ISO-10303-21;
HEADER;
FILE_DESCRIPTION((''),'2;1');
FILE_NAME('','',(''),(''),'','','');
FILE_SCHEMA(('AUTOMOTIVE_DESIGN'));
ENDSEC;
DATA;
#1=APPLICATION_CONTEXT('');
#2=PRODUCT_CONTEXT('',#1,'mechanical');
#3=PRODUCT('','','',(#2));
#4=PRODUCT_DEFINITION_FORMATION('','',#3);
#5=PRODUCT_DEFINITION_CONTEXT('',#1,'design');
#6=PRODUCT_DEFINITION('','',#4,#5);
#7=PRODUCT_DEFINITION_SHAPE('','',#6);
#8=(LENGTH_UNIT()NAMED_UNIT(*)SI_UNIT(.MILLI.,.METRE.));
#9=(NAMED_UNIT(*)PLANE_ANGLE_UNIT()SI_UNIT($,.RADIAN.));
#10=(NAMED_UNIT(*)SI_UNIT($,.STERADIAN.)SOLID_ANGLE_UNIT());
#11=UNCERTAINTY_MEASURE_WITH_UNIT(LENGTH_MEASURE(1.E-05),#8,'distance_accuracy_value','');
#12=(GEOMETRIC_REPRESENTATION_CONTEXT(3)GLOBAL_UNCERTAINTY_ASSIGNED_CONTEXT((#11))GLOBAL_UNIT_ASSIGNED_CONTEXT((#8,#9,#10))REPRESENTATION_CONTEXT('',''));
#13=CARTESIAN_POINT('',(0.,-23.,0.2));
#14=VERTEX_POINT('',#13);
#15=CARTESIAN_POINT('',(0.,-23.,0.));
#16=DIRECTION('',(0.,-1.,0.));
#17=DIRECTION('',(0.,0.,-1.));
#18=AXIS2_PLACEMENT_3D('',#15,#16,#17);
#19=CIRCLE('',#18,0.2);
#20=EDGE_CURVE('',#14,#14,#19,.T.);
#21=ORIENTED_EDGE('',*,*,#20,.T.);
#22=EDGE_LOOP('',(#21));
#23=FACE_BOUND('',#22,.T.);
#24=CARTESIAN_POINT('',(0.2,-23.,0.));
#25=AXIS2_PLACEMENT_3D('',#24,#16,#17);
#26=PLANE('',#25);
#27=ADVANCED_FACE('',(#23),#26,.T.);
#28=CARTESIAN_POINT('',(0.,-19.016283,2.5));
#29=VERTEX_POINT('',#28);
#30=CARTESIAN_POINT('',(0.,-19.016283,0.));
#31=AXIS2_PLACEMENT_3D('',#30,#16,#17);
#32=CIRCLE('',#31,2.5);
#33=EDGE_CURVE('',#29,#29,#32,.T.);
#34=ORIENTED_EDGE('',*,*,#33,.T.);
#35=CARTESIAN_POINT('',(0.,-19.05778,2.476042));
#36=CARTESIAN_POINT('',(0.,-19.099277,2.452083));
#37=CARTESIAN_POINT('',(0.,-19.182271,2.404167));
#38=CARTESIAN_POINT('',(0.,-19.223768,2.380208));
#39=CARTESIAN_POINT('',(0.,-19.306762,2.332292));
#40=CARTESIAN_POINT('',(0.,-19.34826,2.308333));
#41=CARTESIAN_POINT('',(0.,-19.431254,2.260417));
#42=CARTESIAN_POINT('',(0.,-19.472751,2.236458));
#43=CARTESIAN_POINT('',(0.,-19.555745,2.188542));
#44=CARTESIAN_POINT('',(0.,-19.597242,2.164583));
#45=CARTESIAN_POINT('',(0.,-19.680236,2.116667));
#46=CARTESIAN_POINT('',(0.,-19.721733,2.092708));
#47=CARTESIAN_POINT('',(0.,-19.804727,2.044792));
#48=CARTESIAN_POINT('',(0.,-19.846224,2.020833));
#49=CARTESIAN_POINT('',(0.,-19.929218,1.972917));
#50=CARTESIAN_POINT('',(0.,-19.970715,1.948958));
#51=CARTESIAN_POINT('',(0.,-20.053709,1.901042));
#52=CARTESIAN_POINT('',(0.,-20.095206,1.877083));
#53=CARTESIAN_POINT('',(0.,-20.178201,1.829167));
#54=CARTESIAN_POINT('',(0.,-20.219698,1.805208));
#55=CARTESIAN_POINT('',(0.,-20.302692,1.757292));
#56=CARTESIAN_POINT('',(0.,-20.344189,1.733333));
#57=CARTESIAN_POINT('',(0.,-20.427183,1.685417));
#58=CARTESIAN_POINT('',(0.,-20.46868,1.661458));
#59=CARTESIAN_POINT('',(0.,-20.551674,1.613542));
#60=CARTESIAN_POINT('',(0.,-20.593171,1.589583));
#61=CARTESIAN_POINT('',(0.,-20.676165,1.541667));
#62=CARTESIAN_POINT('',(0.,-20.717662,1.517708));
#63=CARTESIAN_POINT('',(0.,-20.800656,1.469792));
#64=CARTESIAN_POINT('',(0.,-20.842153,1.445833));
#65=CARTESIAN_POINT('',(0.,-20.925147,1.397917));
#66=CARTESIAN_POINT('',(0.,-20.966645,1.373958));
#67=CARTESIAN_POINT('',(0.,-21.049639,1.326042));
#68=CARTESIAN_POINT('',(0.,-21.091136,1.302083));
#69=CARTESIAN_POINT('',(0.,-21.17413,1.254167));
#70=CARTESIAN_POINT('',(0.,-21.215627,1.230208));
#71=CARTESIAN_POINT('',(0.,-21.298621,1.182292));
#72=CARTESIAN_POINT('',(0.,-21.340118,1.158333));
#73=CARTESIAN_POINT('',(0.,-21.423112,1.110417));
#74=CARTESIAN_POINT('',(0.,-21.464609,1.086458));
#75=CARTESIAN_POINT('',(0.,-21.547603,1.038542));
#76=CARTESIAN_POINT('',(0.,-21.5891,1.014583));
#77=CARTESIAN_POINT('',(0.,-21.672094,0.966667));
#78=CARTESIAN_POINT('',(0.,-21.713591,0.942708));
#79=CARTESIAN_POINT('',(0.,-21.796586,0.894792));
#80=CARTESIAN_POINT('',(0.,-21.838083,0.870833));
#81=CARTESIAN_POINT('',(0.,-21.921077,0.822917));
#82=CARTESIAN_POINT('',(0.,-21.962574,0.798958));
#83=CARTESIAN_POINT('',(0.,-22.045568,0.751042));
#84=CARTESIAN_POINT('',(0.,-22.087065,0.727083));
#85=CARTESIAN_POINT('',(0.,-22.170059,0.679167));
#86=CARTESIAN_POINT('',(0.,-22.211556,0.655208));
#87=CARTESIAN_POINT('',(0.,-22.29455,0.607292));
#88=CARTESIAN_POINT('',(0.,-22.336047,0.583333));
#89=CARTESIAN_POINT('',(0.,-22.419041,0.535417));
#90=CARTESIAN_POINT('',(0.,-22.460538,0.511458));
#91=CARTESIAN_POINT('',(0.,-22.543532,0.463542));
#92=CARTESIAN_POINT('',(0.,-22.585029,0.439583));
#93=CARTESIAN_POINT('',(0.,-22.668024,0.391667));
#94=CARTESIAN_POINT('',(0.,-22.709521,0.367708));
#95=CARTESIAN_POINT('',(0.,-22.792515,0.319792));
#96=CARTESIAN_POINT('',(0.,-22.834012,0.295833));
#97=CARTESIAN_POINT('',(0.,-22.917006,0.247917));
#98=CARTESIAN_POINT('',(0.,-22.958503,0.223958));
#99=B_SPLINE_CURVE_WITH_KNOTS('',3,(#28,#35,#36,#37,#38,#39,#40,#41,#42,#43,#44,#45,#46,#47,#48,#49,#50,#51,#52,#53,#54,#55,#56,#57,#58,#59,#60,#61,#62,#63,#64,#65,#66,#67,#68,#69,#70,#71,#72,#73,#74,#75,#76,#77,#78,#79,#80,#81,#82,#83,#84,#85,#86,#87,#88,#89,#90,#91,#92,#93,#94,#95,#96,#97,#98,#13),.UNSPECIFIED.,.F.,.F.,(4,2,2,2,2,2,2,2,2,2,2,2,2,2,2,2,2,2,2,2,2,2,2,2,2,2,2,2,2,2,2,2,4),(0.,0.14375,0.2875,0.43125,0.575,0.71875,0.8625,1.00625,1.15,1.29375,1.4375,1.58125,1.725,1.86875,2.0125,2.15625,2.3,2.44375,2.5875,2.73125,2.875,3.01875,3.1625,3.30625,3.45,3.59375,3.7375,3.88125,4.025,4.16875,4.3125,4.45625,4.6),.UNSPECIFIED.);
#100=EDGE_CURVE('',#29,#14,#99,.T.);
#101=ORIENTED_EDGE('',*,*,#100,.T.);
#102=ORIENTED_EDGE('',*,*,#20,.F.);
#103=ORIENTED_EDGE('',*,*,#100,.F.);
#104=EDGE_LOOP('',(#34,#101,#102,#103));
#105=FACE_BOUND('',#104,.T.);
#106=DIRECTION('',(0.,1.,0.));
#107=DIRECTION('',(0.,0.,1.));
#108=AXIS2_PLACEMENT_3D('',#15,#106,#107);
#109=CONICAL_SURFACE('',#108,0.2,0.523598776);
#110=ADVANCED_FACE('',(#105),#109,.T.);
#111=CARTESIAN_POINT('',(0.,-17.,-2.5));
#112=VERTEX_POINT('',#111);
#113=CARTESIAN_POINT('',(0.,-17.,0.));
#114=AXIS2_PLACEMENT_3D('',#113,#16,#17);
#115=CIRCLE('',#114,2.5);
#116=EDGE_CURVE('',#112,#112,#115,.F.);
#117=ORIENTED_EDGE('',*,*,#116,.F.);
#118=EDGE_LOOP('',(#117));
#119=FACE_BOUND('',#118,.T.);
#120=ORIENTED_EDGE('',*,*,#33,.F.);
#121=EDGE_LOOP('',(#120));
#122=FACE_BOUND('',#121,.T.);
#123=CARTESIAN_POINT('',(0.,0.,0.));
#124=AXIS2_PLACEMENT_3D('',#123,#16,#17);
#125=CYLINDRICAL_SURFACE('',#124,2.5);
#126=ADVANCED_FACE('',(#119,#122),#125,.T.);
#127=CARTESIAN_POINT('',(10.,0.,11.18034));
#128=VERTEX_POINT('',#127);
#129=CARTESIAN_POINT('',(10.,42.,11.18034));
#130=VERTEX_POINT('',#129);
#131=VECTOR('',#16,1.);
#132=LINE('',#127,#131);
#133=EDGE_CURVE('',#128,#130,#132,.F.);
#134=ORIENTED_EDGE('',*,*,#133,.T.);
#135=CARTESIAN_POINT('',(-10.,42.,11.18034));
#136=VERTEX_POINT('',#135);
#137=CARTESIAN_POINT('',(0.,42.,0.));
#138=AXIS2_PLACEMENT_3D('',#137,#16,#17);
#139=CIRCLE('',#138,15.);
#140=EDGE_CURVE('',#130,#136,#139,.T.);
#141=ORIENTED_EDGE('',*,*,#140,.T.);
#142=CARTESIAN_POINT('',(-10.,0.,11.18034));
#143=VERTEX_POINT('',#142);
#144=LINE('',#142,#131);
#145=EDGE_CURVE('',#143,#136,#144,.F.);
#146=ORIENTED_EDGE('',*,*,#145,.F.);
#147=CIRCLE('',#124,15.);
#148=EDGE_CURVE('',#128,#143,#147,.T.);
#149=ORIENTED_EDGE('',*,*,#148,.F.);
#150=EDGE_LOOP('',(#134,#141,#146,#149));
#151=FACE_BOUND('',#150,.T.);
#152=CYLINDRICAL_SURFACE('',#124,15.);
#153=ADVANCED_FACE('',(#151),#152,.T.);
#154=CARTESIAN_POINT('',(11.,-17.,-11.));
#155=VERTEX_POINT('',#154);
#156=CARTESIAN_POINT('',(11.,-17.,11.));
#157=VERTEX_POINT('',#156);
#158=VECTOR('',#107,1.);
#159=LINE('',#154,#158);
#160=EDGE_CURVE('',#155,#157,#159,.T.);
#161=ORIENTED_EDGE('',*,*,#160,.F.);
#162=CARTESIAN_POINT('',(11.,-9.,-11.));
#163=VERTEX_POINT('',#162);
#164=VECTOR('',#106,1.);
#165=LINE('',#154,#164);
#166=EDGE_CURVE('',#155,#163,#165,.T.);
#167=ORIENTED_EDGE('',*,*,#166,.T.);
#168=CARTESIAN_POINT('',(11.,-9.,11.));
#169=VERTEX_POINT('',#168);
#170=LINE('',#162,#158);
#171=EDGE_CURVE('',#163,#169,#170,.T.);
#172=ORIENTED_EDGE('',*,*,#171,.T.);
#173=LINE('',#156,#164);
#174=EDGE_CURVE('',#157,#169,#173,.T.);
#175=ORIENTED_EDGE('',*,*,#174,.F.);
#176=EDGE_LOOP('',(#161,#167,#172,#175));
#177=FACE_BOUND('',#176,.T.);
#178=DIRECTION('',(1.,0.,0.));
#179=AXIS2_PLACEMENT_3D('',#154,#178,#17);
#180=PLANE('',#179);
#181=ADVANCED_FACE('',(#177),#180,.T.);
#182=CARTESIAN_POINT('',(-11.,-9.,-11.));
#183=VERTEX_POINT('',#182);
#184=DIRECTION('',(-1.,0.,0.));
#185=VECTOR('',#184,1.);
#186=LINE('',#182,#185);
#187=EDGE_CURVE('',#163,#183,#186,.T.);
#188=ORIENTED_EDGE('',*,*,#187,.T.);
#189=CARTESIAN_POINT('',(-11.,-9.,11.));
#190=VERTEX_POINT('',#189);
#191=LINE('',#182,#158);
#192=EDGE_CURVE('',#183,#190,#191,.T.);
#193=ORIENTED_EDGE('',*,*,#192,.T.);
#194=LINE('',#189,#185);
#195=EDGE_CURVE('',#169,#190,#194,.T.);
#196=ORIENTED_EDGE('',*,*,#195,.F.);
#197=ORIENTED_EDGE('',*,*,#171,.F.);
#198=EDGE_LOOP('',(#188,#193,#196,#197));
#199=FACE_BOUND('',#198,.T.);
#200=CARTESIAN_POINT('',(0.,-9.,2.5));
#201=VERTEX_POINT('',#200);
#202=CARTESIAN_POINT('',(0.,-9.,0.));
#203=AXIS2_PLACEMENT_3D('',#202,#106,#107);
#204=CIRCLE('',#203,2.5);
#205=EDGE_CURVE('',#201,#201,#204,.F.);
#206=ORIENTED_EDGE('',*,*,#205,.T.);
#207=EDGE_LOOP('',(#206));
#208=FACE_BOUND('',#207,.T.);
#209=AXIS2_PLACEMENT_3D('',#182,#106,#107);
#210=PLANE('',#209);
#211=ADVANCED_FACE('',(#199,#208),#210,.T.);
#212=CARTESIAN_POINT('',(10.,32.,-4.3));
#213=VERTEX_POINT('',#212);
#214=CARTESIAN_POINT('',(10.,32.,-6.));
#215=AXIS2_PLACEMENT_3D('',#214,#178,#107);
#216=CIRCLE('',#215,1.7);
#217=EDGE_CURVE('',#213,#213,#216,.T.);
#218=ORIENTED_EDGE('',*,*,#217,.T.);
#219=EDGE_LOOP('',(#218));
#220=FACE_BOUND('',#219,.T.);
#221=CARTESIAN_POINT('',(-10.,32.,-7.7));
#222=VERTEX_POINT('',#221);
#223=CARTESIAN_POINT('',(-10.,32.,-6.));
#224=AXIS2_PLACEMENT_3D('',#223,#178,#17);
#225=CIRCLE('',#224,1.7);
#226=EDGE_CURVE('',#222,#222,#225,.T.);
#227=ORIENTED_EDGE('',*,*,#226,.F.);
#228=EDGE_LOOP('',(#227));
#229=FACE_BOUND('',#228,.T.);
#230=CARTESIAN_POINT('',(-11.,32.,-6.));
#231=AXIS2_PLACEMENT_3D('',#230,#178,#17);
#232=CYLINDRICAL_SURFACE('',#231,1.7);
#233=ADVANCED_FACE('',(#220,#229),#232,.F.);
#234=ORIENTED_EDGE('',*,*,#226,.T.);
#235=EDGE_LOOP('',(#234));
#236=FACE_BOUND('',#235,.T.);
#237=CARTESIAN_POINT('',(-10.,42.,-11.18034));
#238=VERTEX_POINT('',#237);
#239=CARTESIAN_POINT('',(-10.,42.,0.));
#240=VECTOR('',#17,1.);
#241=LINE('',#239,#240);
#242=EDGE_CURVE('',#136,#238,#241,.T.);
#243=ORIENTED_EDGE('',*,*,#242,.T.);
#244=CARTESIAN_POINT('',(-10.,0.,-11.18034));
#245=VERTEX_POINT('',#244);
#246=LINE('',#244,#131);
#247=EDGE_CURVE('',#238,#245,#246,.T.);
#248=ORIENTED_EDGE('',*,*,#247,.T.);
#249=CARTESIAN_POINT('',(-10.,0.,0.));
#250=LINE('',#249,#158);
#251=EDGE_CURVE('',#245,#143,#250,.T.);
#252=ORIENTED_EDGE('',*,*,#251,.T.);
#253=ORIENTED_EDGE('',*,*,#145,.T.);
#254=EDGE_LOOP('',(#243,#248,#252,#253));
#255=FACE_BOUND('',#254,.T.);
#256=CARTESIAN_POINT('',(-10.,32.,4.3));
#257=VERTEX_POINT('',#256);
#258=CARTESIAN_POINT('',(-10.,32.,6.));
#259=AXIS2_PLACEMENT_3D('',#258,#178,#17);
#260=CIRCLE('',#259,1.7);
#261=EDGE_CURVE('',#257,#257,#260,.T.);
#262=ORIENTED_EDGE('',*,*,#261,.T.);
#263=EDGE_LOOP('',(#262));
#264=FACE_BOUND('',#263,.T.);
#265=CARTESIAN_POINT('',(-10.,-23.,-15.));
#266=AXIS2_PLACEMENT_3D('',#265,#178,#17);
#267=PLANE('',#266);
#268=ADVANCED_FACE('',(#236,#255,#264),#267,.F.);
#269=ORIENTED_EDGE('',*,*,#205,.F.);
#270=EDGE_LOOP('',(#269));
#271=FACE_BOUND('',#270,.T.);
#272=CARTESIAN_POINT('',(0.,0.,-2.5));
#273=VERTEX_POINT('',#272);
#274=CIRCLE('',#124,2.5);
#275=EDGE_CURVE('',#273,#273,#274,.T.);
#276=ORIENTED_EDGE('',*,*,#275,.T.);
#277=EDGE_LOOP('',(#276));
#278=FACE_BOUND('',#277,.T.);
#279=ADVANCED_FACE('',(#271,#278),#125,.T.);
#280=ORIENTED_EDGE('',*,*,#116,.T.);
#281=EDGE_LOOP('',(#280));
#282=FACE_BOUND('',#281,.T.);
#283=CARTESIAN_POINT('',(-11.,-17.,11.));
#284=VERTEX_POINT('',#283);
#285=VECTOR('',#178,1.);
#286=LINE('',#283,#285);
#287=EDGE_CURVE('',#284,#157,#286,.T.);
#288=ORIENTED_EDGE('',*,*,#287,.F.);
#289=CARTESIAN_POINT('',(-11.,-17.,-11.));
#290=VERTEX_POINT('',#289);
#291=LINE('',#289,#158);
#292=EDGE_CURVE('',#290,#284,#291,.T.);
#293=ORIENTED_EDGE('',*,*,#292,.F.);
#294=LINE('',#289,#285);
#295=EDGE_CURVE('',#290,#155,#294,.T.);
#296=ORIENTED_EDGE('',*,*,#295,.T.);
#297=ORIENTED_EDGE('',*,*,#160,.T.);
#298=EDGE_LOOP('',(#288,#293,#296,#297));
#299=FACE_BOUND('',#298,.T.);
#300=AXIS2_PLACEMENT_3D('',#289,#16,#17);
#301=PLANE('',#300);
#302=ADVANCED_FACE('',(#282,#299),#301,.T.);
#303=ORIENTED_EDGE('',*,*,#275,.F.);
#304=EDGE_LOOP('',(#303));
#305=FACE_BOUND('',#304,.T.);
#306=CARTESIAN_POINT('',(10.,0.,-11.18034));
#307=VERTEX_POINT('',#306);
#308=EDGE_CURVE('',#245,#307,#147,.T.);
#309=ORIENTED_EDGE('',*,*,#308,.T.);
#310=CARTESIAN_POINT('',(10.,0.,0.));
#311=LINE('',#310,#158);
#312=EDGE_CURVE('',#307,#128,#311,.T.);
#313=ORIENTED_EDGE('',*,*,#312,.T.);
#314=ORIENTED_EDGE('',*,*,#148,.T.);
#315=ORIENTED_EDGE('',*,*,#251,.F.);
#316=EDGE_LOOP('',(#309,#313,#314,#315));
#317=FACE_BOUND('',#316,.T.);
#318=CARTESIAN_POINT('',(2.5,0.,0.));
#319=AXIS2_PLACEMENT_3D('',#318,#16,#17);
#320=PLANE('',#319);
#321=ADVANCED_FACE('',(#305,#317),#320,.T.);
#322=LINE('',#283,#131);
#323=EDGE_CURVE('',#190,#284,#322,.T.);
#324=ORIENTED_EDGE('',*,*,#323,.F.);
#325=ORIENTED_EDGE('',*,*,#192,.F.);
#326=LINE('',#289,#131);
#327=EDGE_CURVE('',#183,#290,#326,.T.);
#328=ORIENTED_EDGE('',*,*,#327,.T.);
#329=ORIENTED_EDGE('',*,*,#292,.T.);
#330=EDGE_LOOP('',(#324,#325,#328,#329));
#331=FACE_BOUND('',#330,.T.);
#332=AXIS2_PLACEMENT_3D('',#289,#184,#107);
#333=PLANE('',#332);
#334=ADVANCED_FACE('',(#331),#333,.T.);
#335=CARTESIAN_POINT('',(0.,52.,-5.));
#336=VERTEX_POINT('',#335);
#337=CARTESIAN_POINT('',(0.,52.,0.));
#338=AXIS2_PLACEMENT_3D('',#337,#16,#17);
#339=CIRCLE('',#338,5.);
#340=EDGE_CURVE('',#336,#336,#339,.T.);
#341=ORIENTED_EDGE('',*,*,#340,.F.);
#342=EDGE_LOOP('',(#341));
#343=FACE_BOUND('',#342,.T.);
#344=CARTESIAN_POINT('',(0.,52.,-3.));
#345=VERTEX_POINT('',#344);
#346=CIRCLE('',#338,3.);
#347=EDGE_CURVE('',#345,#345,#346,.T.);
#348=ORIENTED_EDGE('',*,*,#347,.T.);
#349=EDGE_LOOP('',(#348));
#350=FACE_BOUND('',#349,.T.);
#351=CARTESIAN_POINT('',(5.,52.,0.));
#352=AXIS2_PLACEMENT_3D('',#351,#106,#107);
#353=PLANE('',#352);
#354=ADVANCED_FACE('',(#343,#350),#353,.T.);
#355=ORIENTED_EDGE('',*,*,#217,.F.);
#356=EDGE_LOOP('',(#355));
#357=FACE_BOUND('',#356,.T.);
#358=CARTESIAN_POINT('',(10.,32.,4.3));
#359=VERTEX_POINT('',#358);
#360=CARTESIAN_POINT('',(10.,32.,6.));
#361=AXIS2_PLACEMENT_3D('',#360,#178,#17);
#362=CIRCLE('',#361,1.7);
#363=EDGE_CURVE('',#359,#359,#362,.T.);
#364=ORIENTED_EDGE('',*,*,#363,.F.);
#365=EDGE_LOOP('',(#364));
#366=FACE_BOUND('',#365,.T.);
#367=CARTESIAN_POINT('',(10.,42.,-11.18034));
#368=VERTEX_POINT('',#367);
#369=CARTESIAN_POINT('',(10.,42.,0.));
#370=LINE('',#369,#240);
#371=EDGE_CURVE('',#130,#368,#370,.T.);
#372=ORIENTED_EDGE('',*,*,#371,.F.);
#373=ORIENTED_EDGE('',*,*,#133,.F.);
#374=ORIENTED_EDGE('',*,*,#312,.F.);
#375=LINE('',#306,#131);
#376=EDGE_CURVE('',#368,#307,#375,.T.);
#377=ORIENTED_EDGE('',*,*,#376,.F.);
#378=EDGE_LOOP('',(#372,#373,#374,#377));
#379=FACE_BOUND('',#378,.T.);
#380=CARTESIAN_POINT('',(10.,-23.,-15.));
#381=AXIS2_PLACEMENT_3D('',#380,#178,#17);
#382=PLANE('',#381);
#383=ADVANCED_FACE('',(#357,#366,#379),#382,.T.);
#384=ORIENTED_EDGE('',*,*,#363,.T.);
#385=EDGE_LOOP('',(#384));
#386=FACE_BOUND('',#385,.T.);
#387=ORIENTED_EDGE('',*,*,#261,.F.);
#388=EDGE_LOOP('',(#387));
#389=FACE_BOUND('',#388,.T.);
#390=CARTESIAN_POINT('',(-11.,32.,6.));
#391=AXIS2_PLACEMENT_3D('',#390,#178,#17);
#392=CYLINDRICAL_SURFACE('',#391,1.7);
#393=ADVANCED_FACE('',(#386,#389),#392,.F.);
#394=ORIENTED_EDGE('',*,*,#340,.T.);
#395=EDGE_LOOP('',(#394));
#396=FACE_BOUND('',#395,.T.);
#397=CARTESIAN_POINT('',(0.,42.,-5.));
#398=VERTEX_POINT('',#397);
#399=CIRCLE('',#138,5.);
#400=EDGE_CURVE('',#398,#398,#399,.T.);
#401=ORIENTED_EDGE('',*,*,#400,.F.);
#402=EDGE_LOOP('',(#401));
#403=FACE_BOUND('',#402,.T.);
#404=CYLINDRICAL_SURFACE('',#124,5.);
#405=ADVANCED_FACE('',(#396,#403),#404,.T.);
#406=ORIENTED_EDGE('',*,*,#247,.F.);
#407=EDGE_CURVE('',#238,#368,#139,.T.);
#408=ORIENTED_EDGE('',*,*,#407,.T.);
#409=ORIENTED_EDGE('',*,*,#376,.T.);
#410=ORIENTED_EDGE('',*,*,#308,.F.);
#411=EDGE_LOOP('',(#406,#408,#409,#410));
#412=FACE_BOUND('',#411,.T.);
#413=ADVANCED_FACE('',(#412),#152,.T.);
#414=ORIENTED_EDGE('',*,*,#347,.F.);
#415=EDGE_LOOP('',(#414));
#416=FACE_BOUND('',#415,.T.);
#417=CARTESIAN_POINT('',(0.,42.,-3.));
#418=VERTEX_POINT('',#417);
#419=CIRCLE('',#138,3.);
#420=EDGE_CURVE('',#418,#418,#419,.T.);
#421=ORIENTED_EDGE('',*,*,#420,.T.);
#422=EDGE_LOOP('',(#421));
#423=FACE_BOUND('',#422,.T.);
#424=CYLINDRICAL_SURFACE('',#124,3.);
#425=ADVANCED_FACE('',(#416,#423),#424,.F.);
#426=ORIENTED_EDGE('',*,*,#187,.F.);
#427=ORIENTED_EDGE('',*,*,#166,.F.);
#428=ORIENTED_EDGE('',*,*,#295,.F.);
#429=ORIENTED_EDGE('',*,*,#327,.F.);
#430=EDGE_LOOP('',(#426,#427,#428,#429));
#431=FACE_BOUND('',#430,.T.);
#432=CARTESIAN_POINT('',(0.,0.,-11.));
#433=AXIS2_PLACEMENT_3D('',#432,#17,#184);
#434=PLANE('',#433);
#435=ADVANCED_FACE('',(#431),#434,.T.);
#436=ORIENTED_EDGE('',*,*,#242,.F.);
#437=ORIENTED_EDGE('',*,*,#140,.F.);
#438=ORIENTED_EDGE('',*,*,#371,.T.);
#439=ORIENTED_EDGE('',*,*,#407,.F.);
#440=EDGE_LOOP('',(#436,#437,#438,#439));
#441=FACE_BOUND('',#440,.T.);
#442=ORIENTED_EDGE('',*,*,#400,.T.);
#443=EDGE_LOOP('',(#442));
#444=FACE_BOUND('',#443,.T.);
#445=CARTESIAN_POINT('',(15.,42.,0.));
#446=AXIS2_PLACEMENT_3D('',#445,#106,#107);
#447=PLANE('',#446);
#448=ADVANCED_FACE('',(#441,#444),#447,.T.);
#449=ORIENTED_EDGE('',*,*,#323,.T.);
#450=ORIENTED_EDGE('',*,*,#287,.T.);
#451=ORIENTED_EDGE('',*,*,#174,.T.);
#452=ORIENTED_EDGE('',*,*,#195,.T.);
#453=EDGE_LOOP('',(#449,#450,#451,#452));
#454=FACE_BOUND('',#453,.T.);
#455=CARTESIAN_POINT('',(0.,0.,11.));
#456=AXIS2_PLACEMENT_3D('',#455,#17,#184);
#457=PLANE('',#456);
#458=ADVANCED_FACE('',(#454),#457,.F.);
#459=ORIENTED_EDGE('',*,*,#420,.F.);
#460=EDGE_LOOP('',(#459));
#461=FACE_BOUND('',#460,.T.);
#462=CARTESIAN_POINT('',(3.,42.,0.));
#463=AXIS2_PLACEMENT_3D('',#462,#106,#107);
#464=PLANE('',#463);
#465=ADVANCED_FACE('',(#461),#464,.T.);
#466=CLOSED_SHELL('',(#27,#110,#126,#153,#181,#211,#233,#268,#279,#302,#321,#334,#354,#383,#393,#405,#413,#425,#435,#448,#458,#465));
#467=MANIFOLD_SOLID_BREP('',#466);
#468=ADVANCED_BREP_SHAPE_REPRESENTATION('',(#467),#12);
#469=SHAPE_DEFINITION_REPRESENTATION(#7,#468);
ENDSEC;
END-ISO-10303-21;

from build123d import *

# Parameters (mm, degrees)
CUT_EXTRUDE_2_DEPTH      = 57.160484328
CUT_EXTRUDE_2_DEPTH_BACK = 57.160484328
SKETCH_2_OUTSIDE_W       = 49.234
SKETCH_2_OUTSIDE_H       = 94.234
SKETCH_2_OUTSIDE_W_2     = 20
SKETCH_2_OUTSIDE_H_2     = 75
EXTRUDE_1_DEPTH          = 11
EXTRUDE_1_DEPTH_BACK     = 11
SKETCH_4_W               = 22
SKETCH_4_H               = 8
SKETCH_5_R               = 1.7
CUT_EXTRUDE_3_DEPTH      = 59.051701095


with BuildPart() as part:
    # 草图1 → 旋转1 (revolve)
    with BuildSketch(Plane.XY):
        Polygon((2.5, 0), (15, 0), (15, 42), (5, 42), (5, 52), (3, 52), (3, 42), (0, 42), (0, 0), (0, -23), (0.2, -23), (2.5, -19.016283143), align=None)
    revolve(axis=Axis((0, 0, 0), (0, 1, 0)))

    # 草图2 outside → 切除-拉伸2 (cut, two sides: drawn at the far end of the back side and taken through both)
    with BuildSketch(Plane.XY.offset(-CUT_EXTRUDE_2_DEPTH_BACK)):
        with Locations((0, 14.5)):
            Rectangle(SKETCH_2_OUTSIDE_W, SKETCH_2_OUTSIDE_H)
        with Locations((0, 14.5)):
            Rectangle(SKETCH_2_OUTSIDE_W_2, SKETCH_2_OUTSIDE_H_2, mode=Mode.SUBTRACT)
    extrude(amount=CUT_EXTRUDE_2_DEPTH + CUT_EXTRUDE_2_DEPTH_BACK, mode=Mode.SUBTRACT)

    # 草图4 → 凸台-拉伸1 (add, two sides: drawn at the far end of the back side and taken through both)
    with BuildSketch(Plane.XY.offset(-EXTRUDE_1_DEPTH_BACK)):
        with Locations((0, -13)):
            Rectangle(SKETCH_4_W, SKETCH_4_H)
    extrude(amount=EXTRUDE_1_DEPTH + EXTRUDE_1_DEPTH_BACK)

    # 草图5 → 切除-拉伸3 (cut, through all)
    with BuildSketch(Plane(origin=(10, 0, 0), x_dir=(0, 0, -1), z_dir=(1, 0, 0))):
        with Locations((-6, 32)):
            Circle(SKETCH_5_R)
        with Locations((6, 32)):
            Circle(SKETCH_5_R)
    extrude(amount=-CUT_EXTRUDE_3_DEPTH, mode=Mode.SUBTRACT)


solid = part.part
